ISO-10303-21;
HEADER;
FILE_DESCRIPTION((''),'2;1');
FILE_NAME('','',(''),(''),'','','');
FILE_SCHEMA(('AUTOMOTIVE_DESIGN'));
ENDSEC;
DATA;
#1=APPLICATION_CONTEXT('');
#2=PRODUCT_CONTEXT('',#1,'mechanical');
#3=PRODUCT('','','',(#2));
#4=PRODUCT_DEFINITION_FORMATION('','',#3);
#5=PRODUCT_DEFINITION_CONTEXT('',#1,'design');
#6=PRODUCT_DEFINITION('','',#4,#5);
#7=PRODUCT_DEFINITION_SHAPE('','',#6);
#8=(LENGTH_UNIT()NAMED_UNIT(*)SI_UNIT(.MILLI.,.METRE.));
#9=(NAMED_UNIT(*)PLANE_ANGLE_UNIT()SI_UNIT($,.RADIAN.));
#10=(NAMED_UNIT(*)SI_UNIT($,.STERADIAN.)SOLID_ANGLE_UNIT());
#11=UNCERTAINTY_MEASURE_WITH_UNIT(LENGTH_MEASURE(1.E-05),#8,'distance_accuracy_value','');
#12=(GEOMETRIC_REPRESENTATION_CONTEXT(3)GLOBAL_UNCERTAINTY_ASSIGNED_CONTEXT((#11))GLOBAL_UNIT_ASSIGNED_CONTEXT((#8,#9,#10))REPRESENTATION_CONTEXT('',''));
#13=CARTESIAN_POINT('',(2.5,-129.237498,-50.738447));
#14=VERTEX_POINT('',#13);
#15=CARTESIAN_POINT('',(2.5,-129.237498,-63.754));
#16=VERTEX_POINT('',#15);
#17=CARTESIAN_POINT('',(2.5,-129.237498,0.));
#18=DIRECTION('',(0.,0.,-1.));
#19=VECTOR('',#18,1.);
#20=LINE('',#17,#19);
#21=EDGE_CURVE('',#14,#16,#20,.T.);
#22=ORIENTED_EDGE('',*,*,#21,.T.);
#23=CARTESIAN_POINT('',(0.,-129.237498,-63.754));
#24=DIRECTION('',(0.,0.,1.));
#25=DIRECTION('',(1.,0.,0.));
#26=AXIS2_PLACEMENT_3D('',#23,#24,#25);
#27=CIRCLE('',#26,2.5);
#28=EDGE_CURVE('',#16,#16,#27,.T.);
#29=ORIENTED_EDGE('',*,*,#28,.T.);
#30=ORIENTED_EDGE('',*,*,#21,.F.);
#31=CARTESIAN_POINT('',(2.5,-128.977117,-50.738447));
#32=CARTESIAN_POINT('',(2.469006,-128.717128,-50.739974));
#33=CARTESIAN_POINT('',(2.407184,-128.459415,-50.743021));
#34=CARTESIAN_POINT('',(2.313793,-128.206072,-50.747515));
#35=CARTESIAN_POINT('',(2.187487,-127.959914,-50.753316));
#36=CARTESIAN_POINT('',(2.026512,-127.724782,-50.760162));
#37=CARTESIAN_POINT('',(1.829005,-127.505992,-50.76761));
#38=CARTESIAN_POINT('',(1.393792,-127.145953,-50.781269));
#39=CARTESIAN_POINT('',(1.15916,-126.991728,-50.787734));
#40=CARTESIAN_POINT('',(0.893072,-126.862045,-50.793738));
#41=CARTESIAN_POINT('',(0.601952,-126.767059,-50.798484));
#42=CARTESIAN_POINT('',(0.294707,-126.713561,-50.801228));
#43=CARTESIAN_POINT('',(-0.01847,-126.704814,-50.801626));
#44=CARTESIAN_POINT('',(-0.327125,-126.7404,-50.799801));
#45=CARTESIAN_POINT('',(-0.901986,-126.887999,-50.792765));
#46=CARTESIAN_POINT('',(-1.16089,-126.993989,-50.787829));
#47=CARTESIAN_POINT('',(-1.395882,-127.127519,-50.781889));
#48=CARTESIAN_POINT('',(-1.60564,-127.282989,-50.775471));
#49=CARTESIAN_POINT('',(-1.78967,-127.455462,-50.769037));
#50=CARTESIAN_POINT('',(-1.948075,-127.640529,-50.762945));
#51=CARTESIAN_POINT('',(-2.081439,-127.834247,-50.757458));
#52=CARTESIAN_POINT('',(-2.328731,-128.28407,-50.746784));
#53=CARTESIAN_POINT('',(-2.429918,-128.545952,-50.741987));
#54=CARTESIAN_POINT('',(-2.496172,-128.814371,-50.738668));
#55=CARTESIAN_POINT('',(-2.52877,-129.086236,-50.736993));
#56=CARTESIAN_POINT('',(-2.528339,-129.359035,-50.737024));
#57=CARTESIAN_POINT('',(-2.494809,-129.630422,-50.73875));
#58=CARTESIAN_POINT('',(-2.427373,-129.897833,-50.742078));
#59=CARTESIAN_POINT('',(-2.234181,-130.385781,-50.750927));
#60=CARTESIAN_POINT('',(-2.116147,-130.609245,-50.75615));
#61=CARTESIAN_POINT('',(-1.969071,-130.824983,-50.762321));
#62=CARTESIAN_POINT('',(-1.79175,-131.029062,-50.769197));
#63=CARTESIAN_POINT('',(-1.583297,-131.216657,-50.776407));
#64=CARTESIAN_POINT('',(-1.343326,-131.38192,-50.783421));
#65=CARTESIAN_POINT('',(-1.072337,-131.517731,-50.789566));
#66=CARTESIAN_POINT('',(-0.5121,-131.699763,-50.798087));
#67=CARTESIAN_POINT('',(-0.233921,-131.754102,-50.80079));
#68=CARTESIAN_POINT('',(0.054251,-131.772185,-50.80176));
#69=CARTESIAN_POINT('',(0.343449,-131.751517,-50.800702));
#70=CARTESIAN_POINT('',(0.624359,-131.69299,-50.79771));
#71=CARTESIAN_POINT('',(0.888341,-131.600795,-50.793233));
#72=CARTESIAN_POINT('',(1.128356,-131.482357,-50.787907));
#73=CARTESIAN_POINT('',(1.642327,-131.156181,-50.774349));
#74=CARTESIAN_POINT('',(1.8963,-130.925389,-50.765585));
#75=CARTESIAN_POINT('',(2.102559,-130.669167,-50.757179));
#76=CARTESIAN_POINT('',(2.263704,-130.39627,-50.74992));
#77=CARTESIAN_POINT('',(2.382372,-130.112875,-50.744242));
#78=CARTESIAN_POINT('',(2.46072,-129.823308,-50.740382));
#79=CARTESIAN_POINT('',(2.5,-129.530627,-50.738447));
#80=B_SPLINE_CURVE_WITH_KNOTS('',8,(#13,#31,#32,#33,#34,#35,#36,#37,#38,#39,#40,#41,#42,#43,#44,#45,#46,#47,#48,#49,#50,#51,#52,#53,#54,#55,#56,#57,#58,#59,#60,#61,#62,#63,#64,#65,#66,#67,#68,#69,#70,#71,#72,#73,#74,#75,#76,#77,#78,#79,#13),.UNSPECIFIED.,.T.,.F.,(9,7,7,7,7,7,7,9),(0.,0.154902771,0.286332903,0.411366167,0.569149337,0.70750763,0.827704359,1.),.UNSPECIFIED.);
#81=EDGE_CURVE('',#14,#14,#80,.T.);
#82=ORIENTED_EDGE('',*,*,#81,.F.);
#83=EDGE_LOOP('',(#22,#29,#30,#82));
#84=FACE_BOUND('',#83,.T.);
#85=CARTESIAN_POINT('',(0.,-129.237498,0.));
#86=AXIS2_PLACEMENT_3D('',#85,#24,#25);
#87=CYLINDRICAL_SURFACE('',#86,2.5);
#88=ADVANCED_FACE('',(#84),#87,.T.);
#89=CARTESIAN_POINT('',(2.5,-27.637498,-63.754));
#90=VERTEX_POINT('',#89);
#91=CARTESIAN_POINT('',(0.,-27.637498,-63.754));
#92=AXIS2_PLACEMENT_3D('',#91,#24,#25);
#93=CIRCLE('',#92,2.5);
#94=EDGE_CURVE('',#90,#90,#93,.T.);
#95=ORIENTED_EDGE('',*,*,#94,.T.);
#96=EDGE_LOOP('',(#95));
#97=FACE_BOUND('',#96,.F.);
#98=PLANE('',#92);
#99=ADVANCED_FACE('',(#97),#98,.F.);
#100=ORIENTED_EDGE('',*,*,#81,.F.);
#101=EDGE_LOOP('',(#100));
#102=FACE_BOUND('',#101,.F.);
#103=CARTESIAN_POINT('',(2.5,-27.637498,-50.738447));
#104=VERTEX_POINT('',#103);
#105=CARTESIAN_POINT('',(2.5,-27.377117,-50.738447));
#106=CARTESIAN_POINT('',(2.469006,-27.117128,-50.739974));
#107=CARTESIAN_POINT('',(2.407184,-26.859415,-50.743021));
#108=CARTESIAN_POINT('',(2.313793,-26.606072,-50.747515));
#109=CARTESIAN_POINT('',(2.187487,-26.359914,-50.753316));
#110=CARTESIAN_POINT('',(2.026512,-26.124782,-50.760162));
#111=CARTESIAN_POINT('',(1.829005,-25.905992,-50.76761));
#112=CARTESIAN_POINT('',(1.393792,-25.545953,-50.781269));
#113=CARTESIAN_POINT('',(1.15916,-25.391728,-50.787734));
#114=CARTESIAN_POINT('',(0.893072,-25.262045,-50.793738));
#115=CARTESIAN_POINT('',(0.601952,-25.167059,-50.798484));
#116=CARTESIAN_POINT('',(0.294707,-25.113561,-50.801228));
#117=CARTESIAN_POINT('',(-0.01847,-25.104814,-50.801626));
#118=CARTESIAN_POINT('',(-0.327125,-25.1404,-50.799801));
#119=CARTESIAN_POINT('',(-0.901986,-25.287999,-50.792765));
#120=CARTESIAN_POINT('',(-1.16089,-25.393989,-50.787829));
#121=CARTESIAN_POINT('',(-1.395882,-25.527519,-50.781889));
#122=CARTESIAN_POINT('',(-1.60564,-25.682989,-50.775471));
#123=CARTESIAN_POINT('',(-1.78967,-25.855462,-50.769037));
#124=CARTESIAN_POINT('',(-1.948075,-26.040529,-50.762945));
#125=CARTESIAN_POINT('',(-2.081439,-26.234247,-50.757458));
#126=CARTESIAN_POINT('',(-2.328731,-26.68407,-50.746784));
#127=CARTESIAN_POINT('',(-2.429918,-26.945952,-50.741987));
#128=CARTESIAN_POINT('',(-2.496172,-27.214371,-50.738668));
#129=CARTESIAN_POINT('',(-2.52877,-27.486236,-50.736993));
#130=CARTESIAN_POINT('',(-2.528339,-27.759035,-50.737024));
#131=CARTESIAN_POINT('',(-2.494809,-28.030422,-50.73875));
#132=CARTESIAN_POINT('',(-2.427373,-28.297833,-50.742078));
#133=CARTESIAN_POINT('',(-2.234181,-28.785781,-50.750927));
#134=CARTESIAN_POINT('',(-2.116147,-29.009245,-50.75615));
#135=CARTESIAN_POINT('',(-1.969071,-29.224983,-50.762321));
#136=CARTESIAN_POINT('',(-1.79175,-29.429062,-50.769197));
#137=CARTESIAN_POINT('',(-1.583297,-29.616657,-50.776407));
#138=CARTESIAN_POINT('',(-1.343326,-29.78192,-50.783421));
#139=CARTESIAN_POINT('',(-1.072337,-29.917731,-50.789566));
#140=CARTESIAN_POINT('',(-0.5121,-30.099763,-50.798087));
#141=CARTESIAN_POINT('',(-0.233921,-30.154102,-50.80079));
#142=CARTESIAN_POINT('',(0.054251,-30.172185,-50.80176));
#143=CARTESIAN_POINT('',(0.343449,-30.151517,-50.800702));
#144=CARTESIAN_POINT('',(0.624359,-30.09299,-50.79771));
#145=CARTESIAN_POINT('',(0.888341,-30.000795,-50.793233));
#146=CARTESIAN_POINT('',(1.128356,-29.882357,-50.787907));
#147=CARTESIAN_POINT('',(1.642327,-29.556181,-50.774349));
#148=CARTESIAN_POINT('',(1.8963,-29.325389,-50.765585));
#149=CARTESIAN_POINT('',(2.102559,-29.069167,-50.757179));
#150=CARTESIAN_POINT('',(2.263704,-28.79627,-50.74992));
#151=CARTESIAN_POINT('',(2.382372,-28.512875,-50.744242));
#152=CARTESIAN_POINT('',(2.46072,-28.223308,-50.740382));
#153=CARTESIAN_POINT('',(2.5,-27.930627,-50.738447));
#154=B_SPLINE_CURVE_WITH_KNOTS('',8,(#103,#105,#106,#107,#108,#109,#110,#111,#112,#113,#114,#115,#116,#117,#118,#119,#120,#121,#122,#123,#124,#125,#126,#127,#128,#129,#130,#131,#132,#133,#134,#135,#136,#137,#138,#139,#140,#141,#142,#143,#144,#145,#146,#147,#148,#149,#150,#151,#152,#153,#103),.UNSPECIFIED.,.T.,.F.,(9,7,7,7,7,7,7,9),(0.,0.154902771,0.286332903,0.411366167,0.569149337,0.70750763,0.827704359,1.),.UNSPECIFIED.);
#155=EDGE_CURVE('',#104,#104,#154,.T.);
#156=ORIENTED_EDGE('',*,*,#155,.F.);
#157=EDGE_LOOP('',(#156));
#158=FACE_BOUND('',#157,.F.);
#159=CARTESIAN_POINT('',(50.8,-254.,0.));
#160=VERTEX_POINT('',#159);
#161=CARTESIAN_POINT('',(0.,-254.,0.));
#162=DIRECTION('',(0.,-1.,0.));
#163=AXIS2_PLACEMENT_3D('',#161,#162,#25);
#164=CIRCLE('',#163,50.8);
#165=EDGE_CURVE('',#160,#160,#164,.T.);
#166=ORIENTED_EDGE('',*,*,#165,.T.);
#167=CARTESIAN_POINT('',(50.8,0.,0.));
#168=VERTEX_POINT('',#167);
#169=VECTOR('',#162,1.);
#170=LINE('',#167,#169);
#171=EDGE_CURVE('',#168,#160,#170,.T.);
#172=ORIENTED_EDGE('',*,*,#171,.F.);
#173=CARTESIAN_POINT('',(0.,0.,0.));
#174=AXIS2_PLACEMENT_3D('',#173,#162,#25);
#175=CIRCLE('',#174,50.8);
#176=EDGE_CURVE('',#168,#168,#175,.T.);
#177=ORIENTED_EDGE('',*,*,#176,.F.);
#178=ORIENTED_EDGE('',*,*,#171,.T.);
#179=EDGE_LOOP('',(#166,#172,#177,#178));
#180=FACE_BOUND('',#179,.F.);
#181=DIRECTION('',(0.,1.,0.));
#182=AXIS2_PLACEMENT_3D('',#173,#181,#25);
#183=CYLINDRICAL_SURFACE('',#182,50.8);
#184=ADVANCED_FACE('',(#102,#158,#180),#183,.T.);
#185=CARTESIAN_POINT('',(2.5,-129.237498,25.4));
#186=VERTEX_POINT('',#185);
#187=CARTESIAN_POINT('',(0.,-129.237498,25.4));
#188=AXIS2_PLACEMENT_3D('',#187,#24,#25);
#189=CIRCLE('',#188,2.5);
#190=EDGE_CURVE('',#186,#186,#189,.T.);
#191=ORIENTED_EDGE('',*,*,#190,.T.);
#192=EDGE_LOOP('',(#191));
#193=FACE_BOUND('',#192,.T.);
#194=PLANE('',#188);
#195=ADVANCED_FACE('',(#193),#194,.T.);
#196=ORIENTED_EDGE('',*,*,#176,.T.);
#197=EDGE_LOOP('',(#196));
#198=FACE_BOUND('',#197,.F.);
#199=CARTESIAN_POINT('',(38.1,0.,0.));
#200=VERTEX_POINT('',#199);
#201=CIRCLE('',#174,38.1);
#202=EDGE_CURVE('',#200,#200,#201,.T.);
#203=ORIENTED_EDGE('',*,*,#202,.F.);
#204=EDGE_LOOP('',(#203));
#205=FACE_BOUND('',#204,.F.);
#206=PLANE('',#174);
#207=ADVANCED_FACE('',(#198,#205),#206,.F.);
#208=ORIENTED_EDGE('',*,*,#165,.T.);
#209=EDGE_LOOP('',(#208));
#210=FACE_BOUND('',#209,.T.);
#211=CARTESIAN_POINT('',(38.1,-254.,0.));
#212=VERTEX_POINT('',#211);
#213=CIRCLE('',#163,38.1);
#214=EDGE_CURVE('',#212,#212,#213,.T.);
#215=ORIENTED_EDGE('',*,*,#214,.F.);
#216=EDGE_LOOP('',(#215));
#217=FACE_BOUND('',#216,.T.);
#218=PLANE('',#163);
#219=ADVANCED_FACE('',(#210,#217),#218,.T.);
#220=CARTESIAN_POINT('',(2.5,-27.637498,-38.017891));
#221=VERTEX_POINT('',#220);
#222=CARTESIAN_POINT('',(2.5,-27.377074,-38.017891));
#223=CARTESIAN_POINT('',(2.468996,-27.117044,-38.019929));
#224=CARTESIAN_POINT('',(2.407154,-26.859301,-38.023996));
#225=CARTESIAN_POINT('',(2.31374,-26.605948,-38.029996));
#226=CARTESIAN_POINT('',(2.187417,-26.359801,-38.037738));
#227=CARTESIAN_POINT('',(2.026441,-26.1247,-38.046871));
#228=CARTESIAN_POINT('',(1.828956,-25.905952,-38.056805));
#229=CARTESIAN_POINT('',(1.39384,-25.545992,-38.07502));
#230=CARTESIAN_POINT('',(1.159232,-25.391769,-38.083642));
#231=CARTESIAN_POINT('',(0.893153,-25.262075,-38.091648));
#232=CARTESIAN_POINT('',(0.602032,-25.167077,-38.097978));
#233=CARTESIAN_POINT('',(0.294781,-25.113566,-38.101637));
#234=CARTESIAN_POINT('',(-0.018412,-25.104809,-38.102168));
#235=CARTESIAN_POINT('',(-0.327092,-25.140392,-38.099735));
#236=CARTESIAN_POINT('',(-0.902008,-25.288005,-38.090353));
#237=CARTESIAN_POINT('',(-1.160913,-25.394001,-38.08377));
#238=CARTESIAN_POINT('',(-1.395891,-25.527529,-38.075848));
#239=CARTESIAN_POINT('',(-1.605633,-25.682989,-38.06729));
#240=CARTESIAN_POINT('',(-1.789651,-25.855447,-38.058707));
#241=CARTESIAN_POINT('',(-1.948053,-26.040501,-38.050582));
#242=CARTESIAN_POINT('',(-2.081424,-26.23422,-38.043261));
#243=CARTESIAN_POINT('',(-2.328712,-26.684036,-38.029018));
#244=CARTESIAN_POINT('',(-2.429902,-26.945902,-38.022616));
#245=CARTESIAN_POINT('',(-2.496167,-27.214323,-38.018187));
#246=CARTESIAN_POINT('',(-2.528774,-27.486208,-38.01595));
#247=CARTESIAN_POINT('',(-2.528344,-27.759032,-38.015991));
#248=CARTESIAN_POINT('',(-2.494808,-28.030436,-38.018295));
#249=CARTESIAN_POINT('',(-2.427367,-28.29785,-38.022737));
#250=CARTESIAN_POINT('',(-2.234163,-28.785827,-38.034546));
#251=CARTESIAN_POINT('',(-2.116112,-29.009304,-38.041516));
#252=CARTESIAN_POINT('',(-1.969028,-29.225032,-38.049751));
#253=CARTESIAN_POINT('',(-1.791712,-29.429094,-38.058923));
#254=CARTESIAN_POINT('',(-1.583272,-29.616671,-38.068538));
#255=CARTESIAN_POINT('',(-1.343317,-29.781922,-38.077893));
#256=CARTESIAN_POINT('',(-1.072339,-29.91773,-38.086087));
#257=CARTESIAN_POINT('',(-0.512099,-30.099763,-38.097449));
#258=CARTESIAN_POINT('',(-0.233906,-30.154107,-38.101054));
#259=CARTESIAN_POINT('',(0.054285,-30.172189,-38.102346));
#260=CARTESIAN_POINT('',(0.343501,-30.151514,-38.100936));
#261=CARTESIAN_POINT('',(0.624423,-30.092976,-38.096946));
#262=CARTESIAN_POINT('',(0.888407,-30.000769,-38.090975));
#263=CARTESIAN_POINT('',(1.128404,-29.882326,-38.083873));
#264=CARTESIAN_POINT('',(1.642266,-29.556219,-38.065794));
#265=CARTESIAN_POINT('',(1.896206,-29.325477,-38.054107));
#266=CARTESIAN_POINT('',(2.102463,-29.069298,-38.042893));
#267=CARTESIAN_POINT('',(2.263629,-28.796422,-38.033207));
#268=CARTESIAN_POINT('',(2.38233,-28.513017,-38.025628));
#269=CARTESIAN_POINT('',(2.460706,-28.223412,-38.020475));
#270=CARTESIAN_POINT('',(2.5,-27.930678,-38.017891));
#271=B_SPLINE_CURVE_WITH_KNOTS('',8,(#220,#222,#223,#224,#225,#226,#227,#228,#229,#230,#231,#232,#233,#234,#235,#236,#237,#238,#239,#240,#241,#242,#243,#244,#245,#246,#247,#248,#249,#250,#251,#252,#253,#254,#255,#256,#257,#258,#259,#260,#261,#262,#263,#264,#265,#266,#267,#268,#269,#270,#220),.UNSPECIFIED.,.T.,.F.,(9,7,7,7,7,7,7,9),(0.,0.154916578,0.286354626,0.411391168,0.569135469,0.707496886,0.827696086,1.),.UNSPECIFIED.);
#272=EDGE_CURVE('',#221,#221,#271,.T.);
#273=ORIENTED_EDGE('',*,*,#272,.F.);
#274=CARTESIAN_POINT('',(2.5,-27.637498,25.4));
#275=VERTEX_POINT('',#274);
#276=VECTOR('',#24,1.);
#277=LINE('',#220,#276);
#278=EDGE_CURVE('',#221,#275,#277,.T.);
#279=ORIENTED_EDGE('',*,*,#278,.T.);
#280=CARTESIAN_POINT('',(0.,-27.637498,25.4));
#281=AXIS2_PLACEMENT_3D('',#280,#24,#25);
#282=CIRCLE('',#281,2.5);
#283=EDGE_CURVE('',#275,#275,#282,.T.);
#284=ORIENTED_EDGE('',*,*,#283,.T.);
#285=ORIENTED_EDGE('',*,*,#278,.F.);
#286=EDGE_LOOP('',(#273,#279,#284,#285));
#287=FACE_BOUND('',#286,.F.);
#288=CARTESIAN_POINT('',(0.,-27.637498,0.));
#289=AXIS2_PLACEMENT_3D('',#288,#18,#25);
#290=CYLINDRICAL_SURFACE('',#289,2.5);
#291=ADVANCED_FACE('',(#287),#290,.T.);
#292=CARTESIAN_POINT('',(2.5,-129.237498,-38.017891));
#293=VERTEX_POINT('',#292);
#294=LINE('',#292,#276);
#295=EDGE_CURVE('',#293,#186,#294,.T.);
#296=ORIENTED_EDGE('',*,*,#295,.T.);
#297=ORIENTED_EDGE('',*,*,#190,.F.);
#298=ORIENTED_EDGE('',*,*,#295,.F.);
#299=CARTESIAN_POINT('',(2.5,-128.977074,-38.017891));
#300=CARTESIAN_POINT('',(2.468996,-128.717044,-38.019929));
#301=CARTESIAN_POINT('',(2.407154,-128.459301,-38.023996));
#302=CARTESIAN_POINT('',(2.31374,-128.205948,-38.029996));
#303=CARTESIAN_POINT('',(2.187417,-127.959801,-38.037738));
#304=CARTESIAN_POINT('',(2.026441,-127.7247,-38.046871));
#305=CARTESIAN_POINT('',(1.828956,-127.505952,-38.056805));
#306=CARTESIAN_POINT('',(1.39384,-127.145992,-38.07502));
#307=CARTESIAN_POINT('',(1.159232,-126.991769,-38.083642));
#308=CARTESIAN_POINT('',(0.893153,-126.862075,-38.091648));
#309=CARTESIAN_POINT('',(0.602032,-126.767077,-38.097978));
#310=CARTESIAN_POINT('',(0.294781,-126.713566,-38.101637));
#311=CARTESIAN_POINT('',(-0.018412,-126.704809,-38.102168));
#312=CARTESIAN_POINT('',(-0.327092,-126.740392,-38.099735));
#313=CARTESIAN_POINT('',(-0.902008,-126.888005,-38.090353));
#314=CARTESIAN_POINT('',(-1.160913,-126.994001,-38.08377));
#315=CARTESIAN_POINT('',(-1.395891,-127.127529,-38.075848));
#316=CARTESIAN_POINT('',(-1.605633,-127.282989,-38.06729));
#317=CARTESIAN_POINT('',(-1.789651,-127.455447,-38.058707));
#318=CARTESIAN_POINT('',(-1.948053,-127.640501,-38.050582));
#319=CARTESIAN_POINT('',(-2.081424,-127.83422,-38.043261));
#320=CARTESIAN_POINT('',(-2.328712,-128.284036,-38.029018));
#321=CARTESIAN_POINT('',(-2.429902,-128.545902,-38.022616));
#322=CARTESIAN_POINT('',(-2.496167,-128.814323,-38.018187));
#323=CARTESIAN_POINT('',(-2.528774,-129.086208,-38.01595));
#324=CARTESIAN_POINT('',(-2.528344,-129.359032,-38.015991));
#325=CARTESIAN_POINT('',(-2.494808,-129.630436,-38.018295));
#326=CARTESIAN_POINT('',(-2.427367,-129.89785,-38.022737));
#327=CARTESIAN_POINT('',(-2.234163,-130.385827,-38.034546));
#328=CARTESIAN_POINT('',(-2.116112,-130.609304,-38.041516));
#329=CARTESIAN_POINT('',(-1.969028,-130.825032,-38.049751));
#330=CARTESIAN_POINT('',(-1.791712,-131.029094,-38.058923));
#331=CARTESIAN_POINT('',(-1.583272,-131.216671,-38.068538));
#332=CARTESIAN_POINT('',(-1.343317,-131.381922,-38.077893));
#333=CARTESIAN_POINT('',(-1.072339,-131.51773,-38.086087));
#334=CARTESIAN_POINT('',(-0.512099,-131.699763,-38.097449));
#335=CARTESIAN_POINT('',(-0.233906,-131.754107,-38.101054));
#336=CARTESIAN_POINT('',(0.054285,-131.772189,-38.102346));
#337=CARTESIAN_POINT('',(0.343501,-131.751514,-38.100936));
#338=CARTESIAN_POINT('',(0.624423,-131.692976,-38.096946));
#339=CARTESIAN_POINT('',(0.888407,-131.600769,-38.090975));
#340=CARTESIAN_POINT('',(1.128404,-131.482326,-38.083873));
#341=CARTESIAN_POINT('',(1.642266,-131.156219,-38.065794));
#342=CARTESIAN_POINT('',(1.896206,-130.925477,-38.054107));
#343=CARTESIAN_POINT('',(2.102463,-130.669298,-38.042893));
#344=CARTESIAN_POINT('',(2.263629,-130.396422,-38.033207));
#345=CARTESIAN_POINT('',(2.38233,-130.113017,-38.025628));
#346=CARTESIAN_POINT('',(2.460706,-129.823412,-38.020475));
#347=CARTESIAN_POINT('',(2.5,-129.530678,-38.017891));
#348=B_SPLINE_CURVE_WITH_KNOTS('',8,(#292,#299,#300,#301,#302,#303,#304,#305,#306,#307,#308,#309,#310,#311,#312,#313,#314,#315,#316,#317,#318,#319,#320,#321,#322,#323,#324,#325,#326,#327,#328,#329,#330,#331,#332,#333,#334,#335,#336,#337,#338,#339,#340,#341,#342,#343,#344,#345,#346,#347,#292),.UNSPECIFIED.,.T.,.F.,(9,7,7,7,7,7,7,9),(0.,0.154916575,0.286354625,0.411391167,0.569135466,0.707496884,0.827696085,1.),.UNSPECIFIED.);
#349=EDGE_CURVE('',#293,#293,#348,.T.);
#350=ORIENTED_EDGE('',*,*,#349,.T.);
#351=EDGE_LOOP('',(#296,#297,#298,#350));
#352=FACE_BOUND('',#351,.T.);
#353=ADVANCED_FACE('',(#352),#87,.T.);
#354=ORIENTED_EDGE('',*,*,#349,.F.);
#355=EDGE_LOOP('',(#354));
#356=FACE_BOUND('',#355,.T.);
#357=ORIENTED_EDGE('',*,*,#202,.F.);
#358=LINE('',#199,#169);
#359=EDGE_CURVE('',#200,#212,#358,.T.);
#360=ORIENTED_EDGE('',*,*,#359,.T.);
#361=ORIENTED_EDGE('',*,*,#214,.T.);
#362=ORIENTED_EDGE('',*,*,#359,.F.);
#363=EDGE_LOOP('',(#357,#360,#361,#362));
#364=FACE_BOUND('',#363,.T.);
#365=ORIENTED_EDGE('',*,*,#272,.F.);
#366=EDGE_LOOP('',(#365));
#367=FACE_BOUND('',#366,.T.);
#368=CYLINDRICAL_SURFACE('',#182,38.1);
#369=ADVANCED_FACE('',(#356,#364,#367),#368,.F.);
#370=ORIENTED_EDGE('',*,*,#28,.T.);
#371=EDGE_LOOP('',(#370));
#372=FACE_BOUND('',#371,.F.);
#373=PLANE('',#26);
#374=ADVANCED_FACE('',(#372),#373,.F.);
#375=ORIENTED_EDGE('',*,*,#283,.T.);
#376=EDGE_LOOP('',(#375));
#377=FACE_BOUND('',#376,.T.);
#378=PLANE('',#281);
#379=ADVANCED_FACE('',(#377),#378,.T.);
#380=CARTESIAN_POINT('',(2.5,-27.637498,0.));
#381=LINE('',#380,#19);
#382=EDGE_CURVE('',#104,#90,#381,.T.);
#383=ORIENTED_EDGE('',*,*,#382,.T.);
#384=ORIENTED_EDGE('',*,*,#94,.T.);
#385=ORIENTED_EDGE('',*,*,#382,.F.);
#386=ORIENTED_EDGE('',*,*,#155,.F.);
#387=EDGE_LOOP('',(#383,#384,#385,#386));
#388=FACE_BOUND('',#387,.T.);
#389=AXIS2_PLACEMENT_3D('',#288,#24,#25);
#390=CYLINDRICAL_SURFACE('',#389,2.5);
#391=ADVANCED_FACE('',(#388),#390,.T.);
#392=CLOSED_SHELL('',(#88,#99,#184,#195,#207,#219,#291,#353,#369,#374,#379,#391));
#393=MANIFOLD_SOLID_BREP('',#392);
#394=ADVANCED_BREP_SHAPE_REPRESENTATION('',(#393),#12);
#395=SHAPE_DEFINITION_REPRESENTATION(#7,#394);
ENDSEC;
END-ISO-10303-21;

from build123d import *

# Parameters (mm, degrees)
F0_R          = 50.8
F0_R_2        = 38.1
F1_DEPTH      = 254
F2_R          = 2.5
F3_DEPTH      = 63.754
F3_DEPTH_BACK = 25.4


with BuildPart() as f1:
    # F0 (on Front) → F1 (new body)
    with BuildSketch(Plane.XZ):
        Circle(F0_R)
        Circle(F0_R_2, mode=Mode.SUBTRACT)
    extrude(amount=F1_DEPTH)

    # F2 (on Top) → F3 (join, two sides)
    with BuildSketch(Plane.XY) as f3_sk:
        with Locations((0, -27.6374984533)):
            Circle(F2_R)
        with Locations((0, -129.2374984533)):
            Circle(F2_R)
    extrude(amount=-F3_DEPTH)
    extrude(f3_sk.sketch, amount=F3_DEPTH_BACK)


solid = f1.part
